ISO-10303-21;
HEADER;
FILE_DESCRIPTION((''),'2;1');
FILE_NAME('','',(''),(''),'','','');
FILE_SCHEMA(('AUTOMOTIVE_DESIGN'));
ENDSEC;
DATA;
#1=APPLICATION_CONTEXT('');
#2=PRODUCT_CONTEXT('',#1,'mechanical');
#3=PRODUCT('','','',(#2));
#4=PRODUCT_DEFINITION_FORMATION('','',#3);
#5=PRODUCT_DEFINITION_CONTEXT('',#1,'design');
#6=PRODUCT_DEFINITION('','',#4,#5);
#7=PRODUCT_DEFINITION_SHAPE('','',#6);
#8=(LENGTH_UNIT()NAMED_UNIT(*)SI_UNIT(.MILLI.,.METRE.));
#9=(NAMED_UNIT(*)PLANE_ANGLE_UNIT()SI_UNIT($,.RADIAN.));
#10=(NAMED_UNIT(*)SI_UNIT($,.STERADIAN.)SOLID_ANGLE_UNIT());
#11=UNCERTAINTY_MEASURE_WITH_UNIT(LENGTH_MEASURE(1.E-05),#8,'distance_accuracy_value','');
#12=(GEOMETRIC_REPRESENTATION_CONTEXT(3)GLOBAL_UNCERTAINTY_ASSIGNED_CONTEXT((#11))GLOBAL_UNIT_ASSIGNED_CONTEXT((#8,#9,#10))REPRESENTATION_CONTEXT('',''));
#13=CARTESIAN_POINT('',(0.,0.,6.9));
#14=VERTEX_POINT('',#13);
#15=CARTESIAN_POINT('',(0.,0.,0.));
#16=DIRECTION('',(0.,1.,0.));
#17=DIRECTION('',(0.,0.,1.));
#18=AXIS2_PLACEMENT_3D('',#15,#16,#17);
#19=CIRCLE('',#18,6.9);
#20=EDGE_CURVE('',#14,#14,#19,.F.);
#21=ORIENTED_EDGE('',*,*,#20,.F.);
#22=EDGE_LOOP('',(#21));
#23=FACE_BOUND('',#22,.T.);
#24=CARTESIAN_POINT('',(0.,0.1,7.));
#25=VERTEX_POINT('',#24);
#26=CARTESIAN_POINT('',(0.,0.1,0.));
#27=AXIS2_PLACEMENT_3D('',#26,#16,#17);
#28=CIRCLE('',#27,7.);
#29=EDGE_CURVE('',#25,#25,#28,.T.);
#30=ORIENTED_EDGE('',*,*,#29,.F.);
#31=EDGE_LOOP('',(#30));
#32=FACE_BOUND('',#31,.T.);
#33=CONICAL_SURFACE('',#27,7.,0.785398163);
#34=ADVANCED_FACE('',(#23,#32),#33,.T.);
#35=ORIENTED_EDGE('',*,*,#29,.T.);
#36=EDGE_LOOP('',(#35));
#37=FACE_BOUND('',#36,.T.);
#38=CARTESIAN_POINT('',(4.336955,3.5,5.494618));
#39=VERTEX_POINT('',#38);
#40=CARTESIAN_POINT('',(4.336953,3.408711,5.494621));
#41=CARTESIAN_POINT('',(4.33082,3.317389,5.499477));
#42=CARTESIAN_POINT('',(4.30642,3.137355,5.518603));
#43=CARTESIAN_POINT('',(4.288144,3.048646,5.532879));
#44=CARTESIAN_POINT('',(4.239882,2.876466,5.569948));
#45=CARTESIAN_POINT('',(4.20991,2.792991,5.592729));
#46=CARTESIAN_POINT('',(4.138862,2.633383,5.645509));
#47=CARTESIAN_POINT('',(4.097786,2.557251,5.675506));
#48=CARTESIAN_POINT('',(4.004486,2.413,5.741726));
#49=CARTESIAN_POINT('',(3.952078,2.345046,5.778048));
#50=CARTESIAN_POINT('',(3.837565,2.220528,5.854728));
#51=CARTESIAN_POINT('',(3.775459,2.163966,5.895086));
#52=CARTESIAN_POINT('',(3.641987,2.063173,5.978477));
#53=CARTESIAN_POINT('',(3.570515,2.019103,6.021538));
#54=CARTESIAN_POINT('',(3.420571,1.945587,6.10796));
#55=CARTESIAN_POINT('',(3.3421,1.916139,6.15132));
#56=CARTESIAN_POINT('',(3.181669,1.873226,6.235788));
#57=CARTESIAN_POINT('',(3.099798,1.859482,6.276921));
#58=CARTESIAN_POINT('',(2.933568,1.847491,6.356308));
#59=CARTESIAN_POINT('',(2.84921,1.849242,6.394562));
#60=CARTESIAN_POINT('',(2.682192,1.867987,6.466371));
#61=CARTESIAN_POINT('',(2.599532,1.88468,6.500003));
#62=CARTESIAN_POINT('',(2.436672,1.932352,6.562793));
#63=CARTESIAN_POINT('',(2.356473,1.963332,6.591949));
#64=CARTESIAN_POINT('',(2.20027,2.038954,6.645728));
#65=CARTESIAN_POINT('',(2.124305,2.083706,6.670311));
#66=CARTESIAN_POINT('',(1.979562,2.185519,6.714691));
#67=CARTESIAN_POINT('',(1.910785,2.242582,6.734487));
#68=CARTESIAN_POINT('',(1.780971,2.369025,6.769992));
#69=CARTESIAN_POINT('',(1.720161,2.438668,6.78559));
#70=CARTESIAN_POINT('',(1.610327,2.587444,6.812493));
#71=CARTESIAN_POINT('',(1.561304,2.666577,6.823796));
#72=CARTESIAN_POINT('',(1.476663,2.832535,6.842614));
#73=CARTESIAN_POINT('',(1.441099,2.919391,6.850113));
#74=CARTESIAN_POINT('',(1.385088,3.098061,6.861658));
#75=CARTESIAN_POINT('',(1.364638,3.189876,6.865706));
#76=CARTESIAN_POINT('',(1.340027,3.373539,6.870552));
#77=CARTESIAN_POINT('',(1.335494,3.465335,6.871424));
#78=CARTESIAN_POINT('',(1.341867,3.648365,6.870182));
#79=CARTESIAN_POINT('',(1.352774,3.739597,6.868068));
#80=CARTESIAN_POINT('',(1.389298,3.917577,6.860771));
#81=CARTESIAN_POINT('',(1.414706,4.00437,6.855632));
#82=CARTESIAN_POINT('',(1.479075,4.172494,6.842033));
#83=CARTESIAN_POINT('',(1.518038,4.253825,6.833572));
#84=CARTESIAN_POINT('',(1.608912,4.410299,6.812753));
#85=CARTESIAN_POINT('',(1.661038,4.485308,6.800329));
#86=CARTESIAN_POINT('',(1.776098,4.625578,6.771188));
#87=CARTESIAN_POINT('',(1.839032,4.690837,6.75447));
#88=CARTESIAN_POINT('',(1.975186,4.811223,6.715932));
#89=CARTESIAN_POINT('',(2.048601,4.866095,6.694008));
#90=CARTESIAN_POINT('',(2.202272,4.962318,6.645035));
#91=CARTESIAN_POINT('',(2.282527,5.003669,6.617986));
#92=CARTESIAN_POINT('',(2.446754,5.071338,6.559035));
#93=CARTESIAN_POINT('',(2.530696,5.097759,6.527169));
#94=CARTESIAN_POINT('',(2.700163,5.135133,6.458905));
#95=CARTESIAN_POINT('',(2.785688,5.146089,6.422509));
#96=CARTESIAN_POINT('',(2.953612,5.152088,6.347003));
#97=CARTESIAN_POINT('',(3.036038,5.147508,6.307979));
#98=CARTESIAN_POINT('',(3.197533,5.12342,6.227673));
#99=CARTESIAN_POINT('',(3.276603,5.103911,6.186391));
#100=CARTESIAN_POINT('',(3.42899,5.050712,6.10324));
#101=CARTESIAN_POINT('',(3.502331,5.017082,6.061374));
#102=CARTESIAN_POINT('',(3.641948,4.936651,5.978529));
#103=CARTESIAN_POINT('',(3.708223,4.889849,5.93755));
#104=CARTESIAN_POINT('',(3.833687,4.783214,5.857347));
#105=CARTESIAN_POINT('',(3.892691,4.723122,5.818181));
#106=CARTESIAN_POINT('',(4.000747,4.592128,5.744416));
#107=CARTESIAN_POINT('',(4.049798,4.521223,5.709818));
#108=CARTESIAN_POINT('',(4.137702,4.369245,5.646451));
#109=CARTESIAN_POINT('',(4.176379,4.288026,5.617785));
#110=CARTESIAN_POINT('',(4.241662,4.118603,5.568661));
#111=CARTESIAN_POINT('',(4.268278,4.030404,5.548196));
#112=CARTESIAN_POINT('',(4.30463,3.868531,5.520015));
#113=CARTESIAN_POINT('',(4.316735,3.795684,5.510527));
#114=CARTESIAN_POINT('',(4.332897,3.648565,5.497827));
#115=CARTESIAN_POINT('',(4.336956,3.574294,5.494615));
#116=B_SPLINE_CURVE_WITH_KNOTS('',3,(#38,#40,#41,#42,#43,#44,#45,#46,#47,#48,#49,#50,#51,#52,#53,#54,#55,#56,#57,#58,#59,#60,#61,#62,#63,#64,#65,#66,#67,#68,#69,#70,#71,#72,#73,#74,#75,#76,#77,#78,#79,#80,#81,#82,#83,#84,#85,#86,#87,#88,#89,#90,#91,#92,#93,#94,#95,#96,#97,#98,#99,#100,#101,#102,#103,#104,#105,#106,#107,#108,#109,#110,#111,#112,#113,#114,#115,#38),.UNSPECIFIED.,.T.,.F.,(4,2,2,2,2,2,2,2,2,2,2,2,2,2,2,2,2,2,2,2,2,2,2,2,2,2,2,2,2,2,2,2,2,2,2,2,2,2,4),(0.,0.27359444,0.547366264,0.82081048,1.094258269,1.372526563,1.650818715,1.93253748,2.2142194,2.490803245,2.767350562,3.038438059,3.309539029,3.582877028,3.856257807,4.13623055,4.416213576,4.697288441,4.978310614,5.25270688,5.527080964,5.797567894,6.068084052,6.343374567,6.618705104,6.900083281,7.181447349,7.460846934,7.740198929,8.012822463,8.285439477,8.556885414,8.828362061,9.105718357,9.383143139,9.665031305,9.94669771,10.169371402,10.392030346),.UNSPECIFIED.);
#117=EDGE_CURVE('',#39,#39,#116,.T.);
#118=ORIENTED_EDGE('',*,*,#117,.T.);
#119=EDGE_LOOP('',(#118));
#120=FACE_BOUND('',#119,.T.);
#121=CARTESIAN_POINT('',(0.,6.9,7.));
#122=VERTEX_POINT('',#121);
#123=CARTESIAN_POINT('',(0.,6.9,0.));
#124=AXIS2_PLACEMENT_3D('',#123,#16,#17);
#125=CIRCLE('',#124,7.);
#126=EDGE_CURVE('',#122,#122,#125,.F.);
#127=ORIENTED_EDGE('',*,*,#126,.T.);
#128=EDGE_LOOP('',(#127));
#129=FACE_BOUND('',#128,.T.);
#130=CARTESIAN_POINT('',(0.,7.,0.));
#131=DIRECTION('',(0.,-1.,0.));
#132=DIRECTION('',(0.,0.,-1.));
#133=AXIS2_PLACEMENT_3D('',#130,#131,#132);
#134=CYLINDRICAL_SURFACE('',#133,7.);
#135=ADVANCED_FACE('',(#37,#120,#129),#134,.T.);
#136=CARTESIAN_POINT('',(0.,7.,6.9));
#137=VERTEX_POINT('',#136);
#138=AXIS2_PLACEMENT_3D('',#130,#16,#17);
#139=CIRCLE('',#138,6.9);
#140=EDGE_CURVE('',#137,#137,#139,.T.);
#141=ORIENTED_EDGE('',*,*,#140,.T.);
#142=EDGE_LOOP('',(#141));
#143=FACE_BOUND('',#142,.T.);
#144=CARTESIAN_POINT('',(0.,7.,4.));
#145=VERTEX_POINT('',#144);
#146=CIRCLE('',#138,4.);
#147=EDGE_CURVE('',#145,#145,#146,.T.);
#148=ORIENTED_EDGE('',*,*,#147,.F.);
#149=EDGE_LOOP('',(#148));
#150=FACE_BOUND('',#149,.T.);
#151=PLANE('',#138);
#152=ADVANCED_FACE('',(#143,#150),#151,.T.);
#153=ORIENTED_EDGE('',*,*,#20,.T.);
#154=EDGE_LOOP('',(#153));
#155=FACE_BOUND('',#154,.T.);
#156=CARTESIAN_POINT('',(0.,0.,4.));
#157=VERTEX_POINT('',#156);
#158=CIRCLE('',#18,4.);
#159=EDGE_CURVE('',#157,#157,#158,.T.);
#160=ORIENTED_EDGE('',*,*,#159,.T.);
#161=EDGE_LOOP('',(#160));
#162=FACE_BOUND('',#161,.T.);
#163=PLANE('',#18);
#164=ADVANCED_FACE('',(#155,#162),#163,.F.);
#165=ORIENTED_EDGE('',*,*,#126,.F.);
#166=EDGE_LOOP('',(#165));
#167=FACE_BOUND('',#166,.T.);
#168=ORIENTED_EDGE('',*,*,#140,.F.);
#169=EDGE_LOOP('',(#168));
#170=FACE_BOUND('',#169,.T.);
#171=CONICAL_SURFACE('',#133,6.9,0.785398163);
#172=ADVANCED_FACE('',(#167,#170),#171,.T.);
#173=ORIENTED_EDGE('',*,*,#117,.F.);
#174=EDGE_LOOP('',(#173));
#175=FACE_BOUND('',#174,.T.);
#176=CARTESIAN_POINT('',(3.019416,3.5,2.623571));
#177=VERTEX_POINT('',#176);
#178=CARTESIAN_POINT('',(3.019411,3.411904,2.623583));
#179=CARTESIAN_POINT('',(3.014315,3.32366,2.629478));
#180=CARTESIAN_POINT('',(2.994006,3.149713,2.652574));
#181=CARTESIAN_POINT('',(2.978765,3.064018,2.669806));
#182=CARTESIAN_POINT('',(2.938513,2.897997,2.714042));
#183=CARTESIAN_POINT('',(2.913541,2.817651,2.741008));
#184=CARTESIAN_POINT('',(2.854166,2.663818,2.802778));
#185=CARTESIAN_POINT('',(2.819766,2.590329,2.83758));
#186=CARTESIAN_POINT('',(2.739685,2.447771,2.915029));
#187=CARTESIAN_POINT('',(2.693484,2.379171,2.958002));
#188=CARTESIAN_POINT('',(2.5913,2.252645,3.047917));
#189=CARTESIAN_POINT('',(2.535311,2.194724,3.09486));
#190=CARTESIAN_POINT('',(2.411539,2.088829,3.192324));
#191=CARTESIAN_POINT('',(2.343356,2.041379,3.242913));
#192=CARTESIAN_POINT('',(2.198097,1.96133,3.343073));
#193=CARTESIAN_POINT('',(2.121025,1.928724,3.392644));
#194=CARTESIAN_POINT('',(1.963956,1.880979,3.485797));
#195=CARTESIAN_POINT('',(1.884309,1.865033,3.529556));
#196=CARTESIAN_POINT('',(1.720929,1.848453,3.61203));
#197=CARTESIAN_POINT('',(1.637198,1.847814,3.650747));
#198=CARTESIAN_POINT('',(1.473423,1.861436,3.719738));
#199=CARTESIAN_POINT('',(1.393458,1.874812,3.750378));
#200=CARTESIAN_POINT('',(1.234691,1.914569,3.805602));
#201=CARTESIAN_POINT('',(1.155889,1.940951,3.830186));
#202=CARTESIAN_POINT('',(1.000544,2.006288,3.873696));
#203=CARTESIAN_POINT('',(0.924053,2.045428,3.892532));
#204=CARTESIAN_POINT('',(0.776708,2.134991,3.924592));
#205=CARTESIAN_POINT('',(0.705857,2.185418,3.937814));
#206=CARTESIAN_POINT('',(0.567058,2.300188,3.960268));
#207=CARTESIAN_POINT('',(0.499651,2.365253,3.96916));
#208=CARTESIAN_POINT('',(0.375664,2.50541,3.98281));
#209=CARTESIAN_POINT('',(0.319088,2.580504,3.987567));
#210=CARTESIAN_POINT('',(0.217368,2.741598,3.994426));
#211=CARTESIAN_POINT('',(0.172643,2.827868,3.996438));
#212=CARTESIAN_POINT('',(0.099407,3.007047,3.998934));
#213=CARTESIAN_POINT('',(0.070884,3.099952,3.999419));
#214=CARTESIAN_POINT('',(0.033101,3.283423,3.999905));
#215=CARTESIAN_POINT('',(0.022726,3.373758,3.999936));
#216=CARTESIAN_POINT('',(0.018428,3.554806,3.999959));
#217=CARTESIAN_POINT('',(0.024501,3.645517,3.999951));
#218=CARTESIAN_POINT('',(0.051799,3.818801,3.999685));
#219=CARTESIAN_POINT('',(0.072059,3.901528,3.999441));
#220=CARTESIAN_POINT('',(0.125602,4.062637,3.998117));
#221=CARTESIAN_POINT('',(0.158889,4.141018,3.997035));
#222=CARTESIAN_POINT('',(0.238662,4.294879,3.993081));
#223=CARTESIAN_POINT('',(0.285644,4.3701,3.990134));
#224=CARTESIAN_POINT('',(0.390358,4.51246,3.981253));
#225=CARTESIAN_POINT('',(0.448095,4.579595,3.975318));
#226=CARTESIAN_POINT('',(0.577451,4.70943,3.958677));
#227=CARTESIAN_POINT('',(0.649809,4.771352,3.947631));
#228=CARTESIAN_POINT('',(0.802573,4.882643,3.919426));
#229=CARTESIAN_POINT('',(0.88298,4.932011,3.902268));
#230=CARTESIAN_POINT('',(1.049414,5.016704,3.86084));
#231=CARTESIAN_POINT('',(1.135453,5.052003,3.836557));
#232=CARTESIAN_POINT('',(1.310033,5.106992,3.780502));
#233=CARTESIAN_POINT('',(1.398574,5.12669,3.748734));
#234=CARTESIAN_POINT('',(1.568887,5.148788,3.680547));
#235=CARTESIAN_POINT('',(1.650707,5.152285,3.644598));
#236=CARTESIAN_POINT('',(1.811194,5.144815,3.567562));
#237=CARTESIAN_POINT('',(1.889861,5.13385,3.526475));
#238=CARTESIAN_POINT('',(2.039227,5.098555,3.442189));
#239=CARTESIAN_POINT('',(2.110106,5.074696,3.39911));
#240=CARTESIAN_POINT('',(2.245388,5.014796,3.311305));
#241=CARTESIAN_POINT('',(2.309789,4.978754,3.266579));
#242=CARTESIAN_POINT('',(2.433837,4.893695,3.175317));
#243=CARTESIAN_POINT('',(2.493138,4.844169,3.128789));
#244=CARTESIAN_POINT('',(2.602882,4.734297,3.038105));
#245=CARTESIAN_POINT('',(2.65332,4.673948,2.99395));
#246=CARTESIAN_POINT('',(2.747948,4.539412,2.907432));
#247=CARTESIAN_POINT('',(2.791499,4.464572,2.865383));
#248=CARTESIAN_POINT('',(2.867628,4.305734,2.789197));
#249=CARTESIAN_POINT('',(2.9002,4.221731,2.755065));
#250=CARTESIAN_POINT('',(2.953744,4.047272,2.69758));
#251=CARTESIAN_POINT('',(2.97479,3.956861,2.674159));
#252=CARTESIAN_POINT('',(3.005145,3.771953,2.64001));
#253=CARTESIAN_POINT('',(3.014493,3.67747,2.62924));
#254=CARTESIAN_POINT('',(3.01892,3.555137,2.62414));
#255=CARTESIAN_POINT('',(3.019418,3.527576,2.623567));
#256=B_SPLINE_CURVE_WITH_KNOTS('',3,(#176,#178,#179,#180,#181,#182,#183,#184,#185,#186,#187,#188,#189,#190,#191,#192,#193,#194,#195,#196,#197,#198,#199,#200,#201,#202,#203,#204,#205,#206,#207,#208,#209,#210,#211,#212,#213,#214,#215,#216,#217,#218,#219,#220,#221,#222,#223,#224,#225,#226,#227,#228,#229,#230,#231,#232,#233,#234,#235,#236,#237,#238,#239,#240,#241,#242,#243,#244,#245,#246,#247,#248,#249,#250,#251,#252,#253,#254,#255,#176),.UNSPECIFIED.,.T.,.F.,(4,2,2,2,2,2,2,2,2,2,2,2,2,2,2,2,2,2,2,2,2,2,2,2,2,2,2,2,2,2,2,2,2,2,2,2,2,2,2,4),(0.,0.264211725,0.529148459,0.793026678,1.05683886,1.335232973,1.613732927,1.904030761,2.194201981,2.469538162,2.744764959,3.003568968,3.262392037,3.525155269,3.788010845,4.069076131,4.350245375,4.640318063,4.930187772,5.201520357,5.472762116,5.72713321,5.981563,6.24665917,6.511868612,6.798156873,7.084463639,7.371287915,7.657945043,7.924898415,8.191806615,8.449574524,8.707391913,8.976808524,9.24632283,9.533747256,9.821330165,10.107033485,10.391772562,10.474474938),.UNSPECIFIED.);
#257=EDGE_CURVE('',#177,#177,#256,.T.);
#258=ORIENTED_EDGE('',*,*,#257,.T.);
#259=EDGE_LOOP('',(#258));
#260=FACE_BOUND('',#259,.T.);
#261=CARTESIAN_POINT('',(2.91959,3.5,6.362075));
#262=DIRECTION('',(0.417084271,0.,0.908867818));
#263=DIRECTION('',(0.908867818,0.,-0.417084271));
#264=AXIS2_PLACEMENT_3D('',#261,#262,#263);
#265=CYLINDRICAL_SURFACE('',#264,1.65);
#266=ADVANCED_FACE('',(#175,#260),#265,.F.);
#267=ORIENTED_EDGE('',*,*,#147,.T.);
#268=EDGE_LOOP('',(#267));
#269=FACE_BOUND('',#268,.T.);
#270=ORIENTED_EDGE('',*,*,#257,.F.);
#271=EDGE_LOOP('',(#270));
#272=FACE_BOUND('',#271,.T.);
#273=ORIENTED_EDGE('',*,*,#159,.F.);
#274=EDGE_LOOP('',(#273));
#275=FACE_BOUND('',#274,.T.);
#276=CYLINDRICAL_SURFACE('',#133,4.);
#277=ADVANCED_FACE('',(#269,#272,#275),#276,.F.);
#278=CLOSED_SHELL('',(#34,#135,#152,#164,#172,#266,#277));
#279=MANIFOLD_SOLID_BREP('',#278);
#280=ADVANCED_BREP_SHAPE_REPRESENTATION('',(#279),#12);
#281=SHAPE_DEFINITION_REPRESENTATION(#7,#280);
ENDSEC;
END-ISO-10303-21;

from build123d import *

# Parameters (mm, degrees)
SKETCH2_R                 = 7
SKETCH2_R_2               = 4
BOSS_EXTRUDE1_DEPTH       = 7
M4X0_7_TAPPED_HOLE1_D     = 3.3
M4X0_7_TAPPED_HOLE1_DEPTH = 4
M4X0_7_TAPPED_HOLE1_TIP   = 0.991420021
CHAMFER1_SIZE             = 0.1


with BuildPart() as part:
    # Sketch2 → Boss-Extrude1 (new body)
    with BuildSketch(Plane(origin=(0, 0, 0), x_dir=(1, 0, 0), z_dir=(0, 1, 0))):
        Circle(SKETCH2_R)
        Circle(SKETCH2_R_2, mode=Mode.SUBTRACT)
    extrude(amount=BOSS_EXTRUDE1_DEPTH)

    # M4x0.7 Tapped Hole1
    with Locations(Plane(origin=(2.919589897, 3.5, 6.362074727), x_dir=(0.908867818, 0, -0.417084271), z_dir=(0.417084271, 0, 0.908867818))):
        with Locations((0, 0)):
            Hole(M4X0_7_TAPPED_HOLE1_D / 2, depth=M4X0_7_TAPPED_HOLE1_DEPTH)
            with Locations((0, 0, -(M4X0_7_TAPPED_HOLE1_DEPTH + M4X0_7_TAPPED_HOLE1_TIP / 2))):  # 118° drill point
                Cone(0, M4X0_7_TAPPED_HOLE1_D / 2, M4X0_7_TAPPED_HOLE1_TIP, mode=Mode.SUBTRACT)

    # Chamfer1
    chamfer1_edges = [part.edges().sort_by_distance(p)[0] for p in [
        (-7, 0, 0),
        (-7, 7, 0),
    ]]
    chamfer(chamfer1_edges, length=CHAMFER1_SIZE)


solid = part.part
